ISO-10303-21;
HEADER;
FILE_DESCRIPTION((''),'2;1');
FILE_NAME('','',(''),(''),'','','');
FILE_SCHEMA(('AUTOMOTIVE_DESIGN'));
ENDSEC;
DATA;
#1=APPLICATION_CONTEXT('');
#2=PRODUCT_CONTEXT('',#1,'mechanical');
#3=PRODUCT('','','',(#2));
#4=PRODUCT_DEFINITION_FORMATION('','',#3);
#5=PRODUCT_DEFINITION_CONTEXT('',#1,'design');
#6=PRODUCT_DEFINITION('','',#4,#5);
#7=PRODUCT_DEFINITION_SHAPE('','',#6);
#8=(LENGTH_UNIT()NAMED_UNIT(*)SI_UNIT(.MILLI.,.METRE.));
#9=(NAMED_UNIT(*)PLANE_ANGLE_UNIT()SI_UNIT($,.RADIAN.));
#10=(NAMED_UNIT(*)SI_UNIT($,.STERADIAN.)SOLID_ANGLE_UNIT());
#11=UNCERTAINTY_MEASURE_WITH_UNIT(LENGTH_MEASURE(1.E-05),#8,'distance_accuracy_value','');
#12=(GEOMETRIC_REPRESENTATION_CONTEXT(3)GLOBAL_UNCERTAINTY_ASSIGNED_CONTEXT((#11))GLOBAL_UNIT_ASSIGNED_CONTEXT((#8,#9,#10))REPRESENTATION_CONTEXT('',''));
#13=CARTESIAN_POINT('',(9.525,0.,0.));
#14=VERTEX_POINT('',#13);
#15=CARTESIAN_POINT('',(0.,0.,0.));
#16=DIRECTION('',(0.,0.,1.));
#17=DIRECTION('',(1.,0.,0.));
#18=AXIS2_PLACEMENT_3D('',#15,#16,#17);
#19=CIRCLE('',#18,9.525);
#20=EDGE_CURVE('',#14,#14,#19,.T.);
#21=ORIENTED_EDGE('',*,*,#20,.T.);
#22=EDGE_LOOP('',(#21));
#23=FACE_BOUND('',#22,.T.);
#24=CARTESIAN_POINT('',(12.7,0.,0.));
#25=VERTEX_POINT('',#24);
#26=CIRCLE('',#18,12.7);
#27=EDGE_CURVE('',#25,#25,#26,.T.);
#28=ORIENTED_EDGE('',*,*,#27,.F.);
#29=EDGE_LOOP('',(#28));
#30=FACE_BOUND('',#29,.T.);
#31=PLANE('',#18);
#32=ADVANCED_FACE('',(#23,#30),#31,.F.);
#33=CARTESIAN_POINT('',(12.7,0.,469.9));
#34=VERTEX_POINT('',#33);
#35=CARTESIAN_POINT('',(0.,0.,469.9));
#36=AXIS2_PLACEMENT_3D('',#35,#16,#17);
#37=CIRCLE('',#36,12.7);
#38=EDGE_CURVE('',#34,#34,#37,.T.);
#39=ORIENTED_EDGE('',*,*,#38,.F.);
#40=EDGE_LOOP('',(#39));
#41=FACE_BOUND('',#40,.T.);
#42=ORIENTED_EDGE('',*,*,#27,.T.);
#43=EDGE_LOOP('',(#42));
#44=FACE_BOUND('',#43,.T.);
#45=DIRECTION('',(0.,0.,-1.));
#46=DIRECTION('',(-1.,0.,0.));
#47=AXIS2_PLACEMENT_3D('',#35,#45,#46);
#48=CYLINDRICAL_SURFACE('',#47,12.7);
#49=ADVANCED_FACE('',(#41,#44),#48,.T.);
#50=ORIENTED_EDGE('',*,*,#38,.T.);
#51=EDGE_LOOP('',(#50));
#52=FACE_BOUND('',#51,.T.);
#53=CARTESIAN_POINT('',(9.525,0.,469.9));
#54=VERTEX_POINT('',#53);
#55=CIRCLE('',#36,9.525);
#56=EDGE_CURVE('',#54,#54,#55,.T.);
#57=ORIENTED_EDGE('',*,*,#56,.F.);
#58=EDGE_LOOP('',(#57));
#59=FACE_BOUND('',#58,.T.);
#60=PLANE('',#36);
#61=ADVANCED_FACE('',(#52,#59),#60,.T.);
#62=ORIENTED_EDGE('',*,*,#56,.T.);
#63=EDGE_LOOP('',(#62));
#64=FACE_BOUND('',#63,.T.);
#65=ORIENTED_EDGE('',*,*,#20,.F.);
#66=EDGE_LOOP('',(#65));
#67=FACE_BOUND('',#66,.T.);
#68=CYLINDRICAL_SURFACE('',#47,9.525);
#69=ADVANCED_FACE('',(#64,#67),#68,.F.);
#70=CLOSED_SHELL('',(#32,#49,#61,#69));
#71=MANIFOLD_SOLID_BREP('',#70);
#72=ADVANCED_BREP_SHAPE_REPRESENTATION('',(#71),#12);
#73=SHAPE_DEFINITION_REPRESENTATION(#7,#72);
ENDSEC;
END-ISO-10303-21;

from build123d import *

# Parameters (mm, degrees)
ESQUISSE1_R        = 12.7
ESQUISSE1_R_2      = 9.525
BOSS_EXTRU_1_DEPTH = 469.9


with BuildPart() as part:
    # Esquisse1 → Boss.-Extru.1 (new body)
    with BuildSketch(Plane.XY):
        Circle(ESQUISSE1_R)
        Circle(ESQUISSE1_R_2, mode=Mode.SUBTRACT)
    extrude(amount=BOSS_EXTRU_1_DEPTH)


solid = part.part
